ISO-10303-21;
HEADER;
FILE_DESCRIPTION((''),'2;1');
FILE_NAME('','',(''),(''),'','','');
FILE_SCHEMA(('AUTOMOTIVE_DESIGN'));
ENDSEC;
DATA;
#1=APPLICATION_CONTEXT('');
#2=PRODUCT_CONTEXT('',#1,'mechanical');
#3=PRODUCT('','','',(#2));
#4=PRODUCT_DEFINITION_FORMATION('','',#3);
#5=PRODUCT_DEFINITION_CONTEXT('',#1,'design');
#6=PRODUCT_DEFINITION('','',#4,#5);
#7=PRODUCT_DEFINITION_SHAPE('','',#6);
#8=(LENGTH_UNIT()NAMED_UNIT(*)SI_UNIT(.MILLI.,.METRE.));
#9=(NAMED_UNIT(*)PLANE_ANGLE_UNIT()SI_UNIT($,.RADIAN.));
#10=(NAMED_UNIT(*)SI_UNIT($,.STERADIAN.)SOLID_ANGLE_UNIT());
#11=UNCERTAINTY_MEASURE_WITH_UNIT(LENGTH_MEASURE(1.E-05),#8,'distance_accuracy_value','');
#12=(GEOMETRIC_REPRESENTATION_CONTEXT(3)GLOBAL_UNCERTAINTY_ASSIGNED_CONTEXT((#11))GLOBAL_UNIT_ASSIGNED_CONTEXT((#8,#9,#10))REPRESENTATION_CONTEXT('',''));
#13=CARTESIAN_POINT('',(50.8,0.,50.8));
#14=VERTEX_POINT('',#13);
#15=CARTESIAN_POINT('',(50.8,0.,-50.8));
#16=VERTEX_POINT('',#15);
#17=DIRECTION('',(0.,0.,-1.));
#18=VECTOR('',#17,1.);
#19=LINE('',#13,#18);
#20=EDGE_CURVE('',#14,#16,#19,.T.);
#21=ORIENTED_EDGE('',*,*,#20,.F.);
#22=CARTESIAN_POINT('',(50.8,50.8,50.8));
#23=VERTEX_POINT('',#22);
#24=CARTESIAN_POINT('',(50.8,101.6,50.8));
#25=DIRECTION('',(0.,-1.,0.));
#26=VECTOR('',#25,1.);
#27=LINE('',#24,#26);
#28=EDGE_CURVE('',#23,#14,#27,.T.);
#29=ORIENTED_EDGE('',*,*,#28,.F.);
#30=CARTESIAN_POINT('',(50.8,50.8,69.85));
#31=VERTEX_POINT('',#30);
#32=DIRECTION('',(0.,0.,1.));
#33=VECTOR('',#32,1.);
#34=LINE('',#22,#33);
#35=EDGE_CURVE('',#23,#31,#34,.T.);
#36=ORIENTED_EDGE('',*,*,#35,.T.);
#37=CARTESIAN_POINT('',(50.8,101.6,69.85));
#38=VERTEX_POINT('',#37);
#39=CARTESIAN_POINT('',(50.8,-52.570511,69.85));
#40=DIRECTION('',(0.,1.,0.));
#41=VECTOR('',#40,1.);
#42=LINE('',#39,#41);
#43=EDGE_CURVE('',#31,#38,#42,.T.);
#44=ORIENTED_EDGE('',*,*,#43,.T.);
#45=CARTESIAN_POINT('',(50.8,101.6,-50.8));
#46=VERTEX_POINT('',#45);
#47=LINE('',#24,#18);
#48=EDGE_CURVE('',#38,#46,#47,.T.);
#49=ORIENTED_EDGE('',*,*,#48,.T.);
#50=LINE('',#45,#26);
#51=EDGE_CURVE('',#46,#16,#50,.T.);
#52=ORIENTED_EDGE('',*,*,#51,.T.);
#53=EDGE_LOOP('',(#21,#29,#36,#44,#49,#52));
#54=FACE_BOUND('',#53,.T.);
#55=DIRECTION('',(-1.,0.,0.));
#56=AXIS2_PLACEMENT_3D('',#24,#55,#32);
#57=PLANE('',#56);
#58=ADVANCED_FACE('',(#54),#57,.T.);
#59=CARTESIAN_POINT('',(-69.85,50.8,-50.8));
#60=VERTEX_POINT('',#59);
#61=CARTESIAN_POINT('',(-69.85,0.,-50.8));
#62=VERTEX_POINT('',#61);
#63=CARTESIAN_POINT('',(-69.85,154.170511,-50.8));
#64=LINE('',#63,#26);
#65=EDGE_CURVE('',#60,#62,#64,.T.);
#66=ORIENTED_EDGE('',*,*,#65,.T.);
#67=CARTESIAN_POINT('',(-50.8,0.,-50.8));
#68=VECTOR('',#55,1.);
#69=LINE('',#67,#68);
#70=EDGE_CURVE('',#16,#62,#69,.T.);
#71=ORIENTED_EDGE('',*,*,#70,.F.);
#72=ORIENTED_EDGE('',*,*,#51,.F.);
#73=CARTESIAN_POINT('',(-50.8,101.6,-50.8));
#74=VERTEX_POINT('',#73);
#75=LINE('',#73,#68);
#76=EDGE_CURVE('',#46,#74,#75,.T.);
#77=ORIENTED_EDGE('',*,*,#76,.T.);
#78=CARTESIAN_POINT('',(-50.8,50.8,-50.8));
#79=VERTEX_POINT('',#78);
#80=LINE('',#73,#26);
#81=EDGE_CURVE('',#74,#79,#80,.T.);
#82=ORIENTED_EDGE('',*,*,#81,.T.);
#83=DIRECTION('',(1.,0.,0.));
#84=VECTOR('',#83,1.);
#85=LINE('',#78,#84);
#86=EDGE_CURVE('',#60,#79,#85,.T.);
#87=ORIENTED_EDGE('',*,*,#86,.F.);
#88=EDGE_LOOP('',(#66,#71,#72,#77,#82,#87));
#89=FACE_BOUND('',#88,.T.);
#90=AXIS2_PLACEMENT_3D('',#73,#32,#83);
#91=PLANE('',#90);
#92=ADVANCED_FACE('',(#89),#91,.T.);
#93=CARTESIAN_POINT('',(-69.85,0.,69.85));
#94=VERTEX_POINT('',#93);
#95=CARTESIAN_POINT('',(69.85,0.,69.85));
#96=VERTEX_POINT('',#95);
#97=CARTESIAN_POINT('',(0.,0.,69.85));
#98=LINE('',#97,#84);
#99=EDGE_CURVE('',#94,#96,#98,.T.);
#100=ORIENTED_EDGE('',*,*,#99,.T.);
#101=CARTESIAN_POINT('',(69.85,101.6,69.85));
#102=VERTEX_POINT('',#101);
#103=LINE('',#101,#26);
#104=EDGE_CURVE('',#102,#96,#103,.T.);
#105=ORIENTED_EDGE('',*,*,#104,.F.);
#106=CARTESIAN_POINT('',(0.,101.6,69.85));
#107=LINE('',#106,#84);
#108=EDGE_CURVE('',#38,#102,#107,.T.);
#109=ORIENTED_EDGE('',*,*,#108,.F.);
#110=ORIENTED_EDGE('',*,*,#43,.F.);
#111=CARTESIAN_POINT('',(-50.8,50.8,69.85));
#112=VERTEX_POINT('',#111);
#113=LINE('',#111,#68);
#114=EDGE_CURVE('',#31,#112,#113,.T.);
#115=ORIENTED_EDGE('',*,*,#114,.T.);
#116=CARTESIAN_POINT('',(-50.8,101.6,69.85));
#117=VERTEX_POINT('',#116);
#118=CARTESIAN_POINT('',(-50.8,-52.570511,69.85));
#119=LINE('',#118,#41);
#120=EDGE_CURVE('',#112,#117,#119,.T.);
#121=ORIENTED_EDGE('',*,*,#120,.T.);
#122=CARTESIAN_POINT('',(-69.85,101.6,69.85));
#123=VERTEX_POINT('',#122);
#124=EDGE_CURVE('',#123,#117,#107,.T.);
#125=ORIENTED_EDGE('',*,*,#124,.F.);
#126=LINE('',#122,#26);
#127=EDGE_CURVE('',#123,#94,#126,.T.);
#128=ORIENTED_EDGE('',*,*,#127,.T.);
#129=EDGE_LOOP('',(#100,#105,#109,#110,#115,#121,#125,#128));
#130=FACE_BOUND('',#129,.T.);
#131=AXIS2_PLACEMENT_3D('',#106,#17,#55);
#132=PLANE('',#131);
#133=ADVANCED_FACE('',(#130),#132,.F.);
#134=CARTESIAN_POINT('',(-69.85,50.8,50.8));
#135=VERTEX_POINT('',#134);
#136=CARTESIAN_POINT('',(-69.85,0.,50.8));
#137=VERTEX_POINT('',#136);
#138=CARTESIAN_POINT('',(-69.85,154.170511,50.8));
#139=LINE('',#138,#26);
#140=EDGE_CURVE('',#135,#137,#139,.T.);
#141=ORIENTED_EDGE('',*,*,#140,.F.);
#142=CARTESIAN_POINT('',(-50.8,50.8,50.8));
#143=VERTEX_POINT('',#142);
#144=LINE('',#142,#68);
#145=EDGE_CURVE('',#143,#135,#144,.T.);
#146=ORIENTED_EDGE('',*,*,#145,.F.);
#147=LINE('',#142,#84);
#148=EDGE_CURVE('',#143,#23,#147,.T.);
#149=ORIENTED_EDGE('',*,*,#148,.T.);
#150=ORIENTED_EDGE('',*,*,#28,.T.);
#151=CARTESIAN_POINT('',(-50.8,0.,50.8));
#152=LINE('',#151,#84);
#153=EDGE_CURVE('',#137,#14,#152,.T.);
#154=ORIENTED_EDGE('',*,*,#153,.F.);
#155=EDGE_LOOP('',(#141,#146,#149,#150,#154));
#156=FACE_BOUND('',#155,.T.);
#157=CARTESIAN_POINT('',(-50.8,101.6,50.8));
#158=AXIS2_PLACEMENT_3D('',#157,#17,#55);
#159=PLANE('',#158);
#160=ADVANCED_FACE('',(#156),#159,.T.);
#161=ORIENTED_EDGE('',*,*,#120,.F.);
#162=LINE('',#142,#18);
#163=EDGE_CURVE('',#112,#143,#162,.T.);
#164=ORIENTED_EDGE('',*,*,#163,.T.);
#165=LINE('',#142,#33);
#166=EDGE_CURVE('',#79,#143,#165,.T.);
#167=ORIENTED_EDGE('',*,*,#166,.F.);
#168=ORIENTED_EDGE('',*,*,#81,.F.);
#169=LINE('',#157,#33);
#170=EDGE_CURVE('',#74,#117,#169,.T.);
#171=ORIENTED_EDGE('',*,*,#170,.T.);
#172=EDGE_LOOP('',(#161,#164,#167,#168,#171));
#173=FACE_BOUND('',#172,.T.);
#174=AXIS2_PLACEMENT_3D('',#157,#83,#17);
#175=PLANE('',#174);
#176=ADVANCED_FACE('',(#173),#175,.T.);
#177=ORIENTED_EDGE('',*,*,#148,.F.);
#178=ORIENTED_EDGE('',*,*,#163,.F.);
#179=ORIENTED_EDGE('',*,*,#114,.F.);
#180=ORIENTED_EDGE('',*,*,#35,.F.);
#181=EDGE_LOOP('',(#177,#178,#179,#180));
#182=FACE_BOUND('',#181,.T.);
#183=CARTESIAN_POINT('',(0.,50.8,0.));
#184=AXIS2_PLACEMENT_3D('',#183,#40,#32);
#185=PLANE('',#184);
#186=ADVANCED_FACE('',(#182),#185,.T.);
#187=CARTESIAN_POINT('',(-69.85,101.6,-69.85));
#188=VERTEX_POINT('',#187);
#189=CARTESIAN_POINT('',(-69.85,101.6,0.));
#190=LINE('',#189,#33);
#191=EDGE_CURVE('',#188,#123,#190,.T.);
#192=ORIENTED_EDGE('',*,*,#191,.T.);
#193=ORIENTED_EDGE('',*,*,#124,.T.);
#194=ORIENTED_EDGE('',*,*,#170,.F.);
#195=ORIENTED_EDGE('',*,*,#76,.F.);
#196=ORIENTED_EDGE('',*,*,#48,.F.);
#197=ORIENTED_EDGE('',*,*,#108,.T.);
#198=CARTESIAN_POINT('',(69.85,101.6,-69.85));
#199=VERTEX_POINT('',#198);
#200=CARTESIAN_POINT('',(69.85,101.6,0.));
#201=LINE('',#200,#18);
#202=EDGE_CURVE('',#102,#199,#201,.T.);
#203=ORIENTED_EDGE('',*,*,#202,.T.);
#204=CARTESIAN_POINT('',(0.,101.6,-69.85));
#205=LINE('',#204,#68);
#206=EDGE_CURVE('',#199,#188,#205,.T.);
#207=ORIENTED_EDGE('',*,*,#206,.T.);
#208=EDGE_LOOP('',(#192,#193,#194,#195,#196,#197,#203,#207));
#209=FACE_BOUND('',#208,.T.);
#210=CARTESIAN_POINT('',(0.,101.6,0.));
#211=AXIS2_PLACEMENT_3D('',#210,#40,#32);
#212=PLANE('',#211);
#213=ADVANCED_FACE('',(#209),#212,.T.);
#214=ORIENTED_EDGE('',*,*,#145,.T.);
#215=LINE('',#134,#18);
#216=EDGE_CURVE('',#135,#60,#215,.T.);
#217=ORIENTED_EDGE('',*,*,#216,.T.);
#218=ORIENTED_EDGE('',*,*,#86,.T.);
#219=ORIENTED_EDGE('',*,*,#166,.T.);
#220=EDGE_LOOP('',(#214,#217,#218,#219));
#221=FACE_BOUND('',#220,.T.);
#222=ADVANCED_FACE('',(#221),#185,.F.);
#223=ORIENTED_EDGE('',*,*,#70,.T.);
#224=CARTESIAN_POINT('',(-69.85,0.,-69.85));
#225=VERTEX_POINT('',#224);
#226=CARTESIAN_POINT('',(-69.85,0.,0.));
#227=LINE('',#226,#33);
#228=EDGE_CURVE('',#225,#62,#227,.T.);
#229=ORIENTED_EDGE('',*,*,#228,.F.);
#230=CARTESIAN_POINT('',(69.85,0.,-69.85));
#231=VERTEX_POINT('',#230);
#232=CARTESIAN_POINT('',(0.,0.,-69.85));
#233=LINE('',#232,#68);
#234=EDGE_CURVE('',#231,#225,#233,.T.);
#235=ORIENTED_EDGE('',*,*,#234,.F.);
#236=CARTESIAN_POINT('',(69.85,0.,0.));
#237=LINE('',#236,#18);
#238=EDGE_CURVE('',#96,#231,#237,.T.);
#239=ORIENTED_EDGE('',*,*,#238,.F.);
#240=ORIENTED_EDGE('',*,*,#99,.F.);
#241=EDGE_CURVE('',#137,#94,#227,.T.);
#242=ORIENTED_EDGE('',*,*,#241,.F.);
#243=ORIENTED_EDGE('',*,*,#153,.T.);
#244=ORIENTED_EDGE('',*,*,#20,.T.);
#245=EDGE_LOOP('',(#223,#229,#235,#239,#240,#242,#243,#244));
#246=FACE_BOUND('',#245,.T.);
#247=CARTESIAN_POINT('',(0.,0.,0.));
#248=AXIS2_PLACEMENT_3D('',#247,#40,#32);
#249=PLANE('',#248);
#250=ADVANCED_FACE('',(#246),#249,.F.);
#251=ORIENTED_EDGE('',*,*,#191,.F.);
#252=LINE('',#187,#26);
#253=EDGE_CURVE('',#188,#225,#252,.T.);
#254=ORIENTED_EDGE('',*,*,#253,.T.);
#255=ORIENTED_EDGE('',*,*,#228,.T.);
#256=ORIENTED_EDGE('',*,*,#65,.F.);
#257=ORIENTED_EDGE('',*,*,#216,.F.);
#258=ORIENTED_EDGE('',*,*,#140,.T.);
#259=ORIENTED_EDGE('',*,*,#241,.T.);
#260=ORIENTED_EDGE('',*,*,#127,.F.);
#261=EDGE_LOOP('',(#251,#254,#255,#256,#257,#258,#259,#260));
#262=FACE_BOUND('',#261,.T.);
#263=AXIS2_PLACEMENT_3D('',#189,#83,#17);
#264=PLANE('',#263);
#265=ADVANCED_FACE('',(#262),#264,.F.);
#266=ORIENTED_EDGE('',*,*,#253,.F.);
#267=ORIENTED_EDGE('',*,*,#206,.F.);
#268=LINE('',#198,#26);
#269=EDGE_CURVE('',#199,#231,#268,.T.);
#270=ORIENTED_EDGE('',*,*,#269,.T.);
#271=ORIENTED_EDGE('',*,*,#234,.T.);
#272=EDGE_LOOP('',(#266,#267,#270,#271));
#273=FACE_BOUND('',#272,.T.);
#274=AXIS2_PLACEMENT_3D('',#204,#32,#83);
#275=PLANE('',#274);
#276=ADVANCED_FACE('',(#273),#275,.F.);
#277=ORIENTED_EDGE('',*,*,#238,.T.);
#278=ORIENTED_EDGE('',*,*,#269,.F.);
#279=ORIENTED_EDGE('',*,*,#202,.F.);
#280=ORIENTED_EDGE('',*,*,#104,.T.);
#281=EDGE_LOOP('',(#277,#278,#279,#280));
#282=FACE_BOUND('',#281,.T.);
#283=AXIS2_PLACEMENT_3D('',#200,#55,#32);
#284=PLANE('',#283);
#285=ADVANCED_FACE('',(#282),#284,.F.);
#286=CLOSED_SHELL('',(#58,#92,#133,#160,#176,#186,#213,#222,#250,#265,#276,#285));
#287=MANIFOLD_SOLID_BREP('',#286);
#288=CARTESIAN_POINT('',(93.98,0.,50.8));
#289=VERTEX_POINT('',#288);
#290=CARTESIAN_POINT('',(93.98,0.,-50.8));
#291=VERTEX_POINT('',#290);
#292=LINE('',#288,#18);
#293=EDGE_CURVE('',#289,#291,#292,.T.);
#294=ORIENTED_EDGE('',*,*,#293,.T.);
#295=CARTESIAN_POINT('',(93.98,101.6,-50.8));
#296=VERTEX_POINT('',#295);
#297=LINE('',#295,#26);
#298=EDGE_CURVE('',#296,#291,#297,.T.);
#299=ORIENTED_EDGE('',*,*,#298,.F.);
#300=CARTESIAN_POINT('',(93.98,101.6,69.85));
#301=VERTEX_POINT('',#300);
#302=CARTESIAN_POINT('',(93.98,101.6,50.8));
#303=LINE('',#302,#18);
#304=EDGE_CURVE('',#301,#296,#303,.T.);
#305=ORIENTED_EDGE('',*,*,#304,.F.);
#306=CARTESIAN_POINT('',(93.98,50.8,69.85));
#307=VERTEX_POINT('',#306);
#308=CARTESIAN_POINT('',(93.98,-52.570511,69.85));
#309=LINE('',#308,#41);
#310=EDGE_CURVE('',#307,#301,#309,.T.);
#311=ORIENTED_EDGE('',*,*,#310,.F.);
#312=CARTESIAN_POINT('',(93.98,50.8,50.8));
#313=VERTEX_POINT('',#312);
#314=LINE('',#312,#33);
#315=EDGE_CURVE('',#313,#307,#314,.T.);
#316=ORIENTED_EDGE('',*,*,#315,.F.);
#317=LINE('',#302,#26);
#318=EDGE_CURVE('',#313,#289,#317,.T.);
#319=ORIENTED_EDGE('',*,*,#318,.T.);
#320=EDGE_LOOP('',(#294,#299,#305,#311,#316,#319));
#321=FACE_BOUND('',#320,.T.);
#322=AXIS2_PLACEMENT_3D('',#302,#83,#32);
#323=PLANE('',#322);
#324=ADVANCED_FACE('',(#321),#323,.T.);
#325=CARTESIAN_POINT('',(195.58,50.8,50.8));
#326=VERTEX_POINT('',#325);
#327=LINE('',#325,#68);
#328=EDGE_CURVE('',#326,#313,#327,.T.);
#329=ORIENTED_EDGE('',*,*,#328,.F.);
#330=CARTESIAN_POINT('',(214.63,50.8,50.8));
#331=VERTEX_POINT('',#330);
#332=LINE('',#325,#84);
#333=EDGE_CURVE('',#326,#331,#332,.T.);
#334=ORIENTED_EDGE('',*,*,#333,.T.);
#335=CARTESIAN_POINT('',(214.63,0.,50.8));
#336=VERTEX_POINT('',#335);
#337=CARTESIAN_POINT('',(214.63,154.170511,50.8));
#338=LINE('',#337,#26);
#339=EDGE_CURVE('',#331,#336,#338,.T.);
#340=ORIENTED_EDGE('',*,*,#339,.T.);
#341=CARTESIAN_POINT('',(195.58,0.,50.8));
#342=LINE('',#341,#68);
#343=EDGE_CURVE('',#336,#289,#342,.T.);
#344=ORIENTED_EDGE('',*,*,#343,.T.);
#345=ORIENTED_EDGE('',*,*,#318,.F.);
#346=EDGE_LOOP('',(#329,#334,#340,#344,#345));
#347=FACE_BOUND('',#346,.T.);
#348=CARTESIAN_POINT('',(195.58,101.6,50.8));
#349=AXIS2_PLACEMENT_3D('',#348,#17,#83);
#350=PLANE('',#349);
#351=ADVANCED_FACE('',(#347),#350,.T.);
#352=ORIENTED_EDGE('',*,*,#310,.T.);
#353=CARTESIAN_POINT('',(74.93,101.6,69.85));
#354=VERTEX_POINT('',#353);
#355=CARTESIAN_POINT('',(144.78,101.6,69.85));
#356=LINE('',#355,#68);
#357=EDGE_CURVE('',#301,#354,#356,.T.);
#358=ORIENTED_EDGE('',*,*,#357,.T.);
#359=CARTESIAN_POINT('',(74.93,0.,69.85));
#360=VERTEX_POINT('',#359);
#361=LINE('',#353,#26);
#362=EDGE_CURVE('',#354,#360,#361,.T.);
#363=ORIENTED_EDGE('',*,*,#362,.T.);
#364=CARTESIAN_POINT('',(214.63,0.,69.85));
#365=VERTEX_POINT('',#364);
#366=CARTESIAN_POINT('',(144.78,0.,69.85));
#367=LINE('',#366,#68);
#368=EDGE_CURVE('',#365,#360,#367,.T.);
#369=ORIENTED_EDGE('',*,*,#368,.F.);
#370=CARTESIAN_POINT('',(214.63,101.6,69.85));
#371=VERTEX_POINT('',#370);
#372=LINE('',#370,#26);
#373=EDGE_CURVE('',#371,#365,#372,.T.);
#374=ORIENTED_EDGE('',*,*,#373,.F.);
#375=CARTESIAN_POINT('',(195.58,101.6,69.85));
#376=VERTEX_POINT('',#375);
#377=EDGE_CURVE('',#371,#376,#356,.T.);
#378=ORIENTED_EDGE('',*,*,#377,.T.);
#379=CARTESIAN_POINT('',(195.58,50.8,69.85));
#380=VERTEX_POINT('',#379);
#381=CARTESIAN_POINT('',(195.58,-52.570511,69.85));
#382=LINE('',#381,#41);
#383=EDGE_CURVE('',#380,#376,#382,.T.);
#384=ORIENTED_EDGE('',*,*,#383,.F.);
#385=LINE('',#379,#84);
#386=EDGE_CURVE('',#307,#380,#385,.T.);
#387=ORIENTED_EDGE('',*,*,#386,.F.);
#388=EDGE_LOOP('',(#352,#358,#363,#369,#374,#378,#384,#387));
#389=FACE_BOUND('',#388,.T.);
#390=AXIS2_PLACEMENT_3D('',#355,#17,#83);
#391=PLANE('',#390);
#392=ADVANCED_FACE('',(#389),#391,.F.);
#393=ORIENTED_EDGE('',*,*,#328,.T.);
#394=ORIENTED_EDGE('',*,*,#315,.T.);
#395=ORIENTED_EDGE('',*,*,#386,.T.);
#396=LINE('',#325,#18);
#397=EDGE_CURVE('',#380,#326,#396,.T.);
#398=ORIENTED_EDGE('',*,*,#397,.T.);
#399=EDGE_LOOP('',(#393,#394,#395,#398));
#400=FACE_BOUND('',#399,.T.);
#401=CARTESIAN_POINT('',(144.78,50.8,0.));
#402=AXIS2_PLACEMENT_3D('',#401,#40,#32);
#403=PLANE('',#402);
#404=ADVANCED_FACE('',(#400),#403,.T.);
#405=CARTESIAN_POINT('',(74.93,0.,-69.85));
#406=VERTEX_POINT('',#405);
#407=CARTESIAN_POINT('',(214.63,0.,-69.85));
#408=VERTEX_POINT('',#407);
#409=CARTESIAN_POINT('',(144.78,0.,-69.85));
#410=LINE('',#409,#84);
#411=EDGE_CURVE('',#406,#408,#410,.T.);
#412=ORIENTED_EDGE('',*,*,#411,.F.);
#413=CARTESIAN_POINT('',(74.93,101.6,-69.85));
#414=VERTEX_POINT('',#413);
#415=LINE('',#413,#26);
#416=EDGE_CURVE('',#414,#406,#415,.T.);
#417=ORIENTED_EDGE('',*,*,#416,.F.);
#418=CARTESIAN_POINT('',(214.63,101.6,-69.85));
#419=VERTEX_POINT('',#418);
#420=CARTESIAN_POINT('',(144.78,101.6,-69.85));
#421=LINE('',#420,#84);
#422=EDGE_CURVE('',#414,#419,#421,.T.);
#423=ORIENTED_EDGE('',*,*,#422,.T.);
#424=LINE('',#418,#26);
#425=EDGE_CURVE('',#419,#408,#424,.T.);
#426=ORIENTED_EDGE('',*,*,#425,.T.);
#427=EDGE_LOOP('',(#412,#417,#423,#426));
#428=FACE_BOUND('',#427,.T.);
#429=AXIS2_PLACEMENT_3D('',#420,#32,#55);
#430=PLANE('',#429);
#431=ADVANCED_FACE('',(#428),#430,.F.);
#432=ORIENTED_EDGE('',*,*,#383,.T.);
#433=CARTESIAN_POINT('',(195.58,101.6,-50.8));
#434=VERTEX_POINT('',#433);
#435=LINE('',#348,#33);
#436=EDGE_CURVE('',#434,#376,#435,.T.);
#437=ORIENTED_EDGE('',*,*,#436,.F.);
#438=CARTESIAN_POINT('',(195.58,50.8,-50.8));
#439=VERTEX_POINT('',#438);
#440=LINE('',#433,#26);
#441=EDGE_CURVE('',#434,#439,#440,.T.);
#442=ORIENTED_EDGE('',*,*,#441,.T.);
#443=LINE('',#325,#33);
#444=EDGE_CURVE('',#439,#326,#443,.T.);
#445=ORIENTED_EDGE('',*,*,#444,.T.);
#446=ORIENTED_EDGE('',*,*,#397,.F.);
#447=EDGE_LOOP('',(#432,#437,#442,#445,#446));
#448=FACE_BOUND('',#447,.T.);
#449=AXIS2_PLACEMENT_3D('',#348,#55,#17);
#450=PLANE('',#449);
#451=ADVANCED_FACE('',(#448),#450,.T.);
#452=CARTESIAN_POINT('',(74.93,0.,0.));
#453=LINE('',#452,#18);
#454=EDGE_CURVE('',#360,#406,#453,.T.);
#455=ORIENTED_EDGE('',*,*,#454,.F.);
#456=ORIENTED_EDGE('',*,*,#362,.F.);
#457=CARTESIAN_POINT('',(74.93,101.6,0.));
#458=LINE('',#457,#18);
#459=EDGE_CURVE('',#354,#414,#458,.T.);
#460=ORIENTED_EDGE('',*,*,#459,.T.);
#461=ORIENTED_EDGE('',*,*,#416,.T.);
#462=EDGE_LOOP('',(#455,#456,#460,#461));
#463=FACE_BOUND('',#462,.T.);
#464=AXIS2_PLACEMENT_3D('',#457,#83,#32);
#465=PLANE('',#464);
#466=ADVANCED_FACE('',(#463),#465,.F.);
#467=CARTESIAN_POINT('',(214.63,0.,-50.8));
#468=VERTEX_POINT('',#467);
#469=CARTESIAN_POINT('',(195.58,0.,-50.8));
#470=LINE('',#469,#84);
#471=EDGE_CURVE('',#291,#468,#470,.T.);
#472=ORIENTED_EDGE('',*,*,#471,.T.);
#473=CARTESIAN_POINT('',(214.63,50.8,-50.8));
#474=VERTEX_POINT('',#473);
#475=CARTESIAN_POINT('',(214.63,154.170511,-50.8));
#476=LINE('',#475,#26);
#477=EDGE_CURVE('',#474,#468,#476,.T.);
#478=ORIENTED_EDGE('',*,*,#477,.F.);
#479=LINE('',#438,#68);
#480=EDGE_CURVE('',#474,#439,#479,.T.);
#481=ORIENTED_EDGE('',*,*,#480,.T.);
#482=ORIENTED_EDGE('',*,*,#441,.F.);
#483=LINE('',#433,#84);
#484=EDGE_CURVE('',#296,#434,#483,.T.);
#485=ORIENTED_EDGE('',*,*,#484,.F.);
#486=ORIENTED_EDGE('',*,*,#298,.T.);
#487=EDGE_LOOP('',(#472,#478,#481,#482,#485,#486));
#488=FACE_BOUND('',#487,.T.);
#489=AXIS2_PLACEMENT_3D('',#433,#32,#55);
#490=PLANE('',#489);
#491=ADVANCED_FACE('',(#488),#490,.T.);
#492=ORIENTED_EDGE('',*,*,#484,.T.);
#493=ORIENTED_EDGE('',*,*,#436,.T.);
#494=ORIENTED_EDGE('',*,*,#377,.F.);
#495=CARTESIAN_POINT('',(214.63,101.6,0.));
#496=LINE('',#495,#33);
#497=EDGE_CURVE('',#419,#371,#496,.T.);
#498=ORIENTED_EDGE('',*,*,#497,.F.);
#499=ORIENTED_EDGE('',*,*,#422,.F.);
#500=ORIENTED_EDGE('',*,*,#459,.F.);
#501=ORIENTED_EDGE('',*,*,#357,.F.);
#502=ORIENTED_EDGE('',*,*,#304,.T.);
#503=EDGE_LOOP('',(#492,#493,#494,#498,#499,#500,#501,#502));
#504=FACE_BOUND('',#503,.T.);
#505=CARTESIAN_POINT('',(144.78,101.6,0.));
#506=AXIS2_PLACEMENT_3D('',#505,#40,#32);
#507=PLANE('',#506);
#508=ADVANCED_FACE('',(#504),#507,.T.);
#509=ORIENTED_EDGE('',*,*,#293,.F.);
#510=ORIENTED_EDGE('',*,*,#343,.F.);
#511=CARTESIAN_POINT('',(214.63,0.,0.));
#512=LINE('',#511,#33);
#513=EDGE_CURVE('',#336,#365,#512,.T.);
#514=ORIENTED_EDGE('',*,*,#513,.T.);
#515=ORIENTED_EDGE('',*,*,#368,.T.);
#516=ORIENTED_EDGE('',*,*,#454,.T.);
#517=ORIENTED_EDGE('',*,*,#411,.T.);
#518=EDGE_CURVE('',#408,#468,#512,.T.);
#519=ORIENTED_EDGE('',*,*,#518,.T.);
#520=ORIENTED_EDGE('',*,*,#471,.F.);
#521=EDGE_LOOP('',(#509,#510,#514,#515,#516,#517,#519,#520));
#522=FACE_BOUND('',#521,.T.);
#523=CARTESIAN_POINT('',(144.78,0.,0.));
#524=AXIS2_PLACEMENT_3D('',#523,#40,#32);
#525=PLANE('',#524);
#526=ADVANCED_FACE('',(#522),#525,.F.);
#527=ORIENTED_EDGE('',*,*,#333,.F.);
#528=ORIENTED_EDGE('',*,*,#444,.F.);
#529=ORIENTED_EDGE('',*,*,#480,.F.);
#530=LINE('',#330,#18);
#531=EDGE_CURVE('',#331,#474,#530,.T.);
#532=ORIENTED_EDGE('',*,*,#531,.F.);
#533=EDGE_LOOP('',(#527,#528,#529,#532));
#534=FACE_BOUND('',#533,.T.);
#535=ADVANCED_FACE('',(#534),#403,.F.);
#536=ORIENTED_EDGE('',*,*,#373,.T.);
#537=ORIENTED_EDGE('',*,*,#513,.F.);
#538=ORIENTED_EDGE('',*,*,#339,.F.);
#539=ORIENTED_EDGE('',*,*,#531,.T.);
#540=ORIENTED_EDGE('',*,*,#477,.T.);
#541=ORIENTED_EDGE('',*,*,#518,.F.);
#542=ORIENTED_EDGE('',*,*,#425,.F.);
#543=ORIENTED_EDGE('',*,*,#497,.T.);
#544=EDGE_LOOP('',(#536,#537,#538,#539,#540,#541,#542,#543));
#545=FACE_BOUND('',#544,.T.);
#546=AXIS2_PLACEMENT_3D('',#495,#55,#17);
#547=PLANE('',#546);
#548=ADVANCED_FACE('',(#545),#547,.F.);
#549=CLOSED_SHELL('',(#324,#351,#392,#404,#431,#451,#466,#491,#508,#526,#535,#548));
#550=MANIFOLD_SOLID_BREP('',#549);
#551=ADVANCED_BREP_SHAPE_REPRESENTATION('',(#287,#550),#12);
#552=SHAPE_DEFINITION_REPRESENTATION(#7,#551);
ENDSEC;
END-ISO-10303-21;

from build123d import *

# Parameters (mm, degrees)
SKETCH1_W           = 139.7
SKETCH1_H           = 139.7
SKETCH1_W_2         = 101.6
SKETCH1_H_2         = 101.6
EXTRUDE_THIN1_DEPTH = 101.6
CUT_EXTRUDE1_START  = -50.8
SKETCH2_W           = 101.6
SKETCH2_H           = 19.05
CUT_EXTRUDE1_DEPTH  = 50.8
CUT_EXTRUDE2_START  = -50.8
SKETCH3_W           = 19.05
SKETCH3_H           = 101.6
CUT_EXTRUDE2_DEPTH  = 50.8


with BuildPart() as part:
    # Sketch1 → Extrude-Thin1 (new body)
    with BuildSketch(Plane(origin=(0, 0, 0), x_dir=(1, 0, 0), z_dir=(0, 1, 0))):
        Rectangle(SKETCH1_W, SKETCH1_H)
        Rectangle(SKETCH1_W_2, SKETCH1_H_2, mode=Mode.SUBTRACT)
    extrude(amount=EXTRUDE_THIN1_DEPTH)

    # Sketch2 → Cut-Extrude1 (cut)
    with BuildSketch(Plane(origin=(0, 101.6, 0), x_dir=(1, 0, 0), z_dir=(0, 1, 0)).offset(CUT_EXTRUDE1_START)):
        with Locations((0, -60.325)):
            Rectangle(SKETCH2_W, SKETCH2_H)
    extrude(amount=CUT_EXTRUDE1_DEPTH, mode=Mode.SUBTRACT)

    # Sketch3 → Cut-Extrude2 (cut)
    with BuildSketch(Plane.XZ.offset(CUT_EXTRUDE2_START)):
        with Locations((-60.325, 0)):
            Rectangle(SKETCH3_W, SKETCH3_H)
    extrude(amount=CUT_EXTRUDE2_DEPTH, mode=Mode.SUBTRACT)


with BuildPart() as body_2:
    # Mirror2: mirrored copy
    add(part.part.mirror(Plane(origin=(72.39, 0, 0), x_dir=(0, 0, 1), z_dir=(1, 0, 0))))


solid = Compound([part.part, body_2.part])
